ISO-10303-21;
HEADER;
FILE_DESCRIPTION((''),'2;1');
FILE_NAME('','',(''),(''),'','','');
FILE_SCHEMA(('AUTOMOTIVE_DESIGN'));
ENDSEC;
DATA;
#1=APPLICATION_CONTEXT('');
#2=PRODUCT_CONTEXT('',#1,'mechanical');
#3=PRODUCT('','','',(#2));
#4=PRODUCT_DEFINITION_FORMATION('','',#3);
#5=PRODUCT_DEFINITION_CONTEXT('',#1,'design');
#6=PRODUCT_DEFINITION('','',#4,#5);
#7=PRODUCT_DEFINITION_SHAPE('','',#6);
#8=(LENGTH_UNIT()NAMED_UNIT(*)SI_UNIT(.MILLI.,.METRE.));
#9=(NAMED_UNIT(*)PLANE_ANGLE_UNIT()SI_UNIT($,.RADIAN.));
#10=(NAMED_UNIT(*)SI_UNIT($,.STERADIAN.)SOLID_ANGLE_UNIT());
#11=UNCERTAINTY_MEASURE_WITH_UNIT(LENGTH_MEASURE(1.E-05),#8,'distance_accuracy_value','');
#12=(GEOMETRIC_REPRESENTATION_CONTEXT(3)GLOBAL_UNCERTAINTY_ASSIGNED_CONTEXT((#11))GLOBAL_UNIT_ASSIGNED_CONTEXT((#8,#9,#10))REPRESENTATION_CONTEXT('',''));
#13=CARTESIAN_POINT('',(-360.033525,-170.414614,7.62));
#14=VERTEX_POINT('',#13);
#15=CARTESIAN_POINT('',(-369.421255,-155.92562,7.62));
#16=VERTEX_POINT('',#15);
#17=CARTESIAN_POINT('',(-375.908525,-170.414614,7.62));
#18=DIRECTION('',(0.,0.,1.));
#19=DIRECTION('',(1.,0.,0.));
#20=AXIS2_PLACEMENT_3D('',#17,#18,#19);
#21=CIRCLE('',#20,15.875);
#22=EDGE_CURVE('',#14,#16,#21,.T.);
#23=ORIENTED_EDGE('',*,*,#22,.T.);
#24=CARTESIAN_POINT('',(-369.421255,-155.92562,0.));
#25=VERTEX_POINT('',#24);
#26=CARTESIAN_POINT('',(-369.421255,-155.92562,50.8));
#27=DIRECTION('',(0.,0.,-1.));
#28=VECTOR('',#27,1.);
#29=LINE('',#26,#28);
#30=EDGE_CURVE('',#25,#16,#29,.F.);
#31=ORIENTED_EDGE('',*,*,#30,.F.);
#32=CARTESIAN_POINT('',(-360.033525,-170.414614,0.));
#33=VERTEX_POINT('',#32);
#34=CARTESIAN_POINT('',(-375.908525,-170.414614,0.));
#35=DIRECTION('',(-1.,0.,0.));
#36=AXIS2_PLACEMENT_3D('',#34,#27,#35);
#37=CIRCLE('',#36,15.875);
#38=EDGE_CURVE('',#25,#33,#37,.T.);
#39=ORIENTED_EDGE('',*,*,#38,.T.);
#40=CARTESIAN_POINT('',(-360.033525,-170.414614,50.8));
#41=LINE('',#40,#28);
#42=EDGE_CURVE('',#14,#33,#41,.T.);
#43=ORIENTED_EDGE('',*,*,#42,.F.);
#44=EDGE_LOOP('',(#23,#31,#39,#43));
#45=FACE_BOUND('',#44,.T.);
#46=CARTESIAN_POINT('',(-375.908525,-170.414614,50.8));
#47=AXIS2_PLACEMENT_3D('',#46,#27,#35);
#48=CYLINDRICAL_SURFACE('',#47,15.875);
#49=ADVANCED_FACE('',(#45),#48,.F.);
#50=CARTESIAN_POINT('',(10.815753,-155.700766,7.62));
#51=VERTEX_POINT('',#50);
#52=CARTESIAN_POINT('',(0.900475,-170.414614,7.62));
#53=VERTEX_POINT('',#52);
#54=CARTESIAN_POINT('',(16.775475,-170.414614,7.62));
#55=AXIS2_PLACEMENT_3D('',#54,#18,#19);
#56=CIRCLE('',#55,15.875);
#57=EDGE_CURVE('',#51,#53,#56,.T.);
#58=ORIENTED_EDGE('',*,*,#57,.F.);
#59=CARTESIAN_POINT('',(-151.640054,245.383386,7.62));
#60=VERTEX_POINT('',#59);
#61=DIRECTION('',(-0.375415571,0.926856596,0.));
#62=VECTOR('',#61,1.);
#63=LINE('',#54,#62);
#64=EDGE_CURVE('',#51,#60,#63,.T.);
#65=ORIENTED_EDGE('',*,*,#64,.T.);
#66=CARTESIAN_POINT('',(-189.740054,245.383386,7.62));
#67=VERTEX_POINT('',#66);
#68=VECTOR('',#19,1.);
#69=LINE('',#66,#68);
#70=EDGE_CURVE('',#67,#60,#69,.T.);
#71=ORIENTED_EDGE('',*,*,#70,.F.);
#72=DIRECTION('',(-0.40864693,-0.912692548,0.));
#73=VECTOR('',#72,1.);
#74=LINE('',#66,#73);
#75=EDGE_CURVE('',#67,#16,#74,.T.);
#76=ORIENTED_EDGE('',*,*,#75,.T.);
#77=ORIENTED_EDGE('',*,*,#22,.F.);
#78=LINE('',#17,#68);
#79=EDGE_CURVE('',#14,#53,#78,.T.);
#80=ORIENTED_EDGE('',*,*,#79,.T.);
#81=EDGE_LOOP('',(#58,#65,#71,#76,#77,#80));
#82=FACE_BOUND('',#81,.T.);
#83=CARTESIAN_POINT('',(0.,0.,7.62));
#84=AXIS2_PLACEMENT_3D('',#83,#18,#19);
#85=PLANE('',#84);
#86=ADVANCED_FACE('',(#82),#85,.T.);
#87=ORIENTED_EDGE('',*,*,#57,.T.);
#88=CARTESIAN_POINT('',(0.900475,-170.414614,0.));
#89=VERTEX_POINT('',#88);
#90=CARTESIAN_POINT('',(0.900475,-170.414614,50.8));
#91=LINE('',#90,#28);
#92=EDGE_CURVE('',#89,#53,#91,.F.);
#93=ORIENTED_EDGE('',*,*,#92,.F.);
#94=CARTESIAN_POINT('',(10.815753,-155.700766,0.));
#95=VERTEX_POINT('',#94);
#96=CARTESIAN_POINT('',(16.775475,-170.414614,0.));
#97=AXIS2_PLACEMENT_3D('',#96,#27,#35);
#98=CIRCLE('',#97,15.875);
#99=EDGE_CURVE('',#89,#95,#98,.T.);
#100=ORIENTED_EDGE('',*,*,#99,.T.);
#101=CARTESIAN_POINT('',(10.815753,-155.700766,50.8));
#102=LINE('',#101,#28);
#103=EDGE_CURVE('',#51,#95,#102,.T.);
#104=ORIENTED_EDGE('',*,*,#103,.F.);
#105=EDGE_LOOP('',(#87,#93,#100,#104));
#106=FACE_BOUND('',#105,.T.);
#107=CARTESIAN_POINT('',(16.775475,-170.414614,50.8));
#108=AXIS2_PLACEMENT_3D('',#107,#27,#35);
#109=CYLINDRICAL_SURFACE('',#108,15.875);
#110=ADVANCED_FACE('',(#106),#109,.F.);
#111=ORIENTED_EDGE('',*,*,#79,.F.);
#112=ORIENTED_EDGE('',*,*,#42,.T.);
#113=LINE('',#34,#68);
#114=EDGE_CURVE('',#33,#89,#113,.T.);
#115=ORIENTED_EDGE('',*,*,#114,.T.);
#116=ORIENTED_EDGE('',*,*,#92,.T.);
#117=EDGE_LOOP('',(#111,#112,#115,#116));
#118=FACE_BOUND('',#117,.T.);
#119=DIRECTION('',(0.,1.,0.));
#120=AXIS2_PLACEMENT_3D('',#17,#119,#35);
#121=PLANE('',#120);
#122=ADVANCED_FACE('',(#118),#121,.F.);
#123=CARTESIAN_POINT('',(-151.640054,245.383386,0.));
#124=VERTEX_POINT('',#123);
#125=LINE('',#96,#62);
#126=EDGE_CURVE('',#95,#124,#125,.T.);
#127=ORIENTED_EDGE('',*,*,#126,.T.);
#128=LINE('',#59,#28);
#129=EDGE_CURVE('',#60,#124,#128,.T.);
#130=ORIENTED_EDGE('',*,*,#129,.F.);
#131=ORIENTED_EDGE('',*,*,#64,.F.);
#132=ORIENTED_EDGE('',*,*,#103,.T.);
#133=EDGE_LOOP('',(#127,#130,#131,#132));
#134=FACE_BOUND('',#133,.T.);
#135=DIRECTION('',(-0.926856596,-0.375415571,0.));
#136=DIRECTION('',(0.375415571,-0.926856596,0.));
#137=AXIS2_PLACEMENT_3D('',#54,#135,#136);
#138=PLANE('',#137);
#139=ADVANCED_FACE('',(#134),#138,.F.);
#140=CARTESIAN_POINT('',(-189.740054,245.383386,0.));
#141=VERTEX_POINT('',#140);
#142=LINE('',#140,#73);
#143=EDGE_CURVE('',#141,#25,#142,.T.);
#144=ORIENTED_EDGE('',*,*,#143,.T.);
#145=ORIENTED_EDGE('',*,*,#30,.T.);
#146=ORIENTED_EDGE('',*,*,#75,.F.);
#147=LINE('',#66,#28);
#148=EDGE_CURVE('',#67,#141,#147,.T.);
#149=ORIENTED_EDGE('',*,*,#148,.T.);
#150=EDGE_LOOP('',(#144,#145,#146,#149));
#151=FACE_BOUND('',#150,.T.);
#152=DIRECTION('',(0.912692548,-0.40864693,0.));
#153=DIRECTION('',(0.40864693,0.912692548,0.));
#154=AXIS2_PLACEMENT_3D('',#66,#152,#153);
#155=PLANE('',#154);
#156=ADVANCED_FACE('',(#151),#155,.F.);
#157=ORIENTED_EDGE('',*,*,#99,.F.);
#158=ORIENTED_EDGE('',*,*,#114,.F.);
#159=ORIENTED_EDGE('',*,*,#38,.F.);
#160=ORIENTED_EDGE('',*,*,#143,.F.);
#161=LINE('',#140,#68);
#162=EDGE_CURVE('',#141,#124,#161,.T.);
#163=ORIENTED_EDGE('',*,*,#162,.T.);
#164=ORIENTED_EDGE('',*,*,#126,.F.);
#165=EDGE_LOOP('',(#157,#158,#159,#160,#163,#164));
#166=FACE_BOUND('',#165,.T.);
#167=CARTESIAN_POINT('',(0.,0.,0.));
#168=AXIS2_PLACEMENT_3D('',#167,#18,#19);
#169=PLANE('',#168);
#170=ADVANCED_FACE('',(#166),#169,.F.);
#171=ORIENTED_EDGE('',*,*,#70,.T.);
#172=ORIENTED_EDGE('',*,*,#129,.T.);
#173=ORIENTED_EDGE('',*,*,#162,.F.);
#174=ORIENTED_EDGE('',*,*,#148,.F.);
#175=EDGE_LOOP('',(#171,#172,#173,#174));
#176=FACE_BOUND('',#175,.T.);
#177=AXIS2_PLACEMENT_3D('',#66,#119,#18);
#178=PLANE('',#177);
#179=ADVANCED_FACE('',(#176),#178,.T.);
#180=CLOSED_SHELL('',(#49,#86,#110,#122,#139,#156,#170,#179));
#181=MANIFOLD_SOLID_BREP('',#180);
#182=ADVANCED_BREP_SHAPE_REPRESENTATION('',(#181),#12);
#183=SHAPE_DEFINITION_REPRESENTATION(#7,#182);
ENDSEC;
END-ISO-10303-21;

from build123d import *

# Parameters (mm, degrees)
BOSS_EXTRUDE1_DEPTH = 7.62
SKETCH5_R           = 15.875
CUT_EXTRUDE2_DEPTH  = 50.8
SKETCH6_R           = 15.875
CUT_EXTRUDE3_DEPTH  = 50.8


with BuildPart() as part:
    # Sketch2 → Boss-Extrude1 (new body)
    with BuildSketch(Plane.XY):
        Polygon((-189.740054039, 245.383385713), (-375.90852523, -170.414614287), (16.77547477, -170.414614287), (-151.640054039, 245.383385713), align=None)
    extrude(amount=BOSS_EXTRUDE1_DEPTH)

    # Sketch5 → Cut-Extrude2 (cut)
    with BuildSketch(Plane(origin=(0, 0, 0), x_dir=(-1, 0, 0), z_dir=(0, 0, -1))):
        with Locations((375.90852523, -170.414614287)):
            Circle(SKETCH5_R)
    extrude(amount=-CUT_EXTRUDE2_DEPTH, mode=Mode.SUBTRACT)

    # Sketch6 → Cut-Extrude3 (cut)
    with BuildSketch(Plane(origin=(0, 0, 0), x_dir=(-1, 0, 0), z_dir=(0, 0, -1))):
        with Locations((-16.77547477, -170.414614287)):
            Circle(SKETCH6_R)
    extrude(amount=-CUT_EXTRUDE3_DEPTH, mode=Mode.SUBTRACT)


solid = part.part
